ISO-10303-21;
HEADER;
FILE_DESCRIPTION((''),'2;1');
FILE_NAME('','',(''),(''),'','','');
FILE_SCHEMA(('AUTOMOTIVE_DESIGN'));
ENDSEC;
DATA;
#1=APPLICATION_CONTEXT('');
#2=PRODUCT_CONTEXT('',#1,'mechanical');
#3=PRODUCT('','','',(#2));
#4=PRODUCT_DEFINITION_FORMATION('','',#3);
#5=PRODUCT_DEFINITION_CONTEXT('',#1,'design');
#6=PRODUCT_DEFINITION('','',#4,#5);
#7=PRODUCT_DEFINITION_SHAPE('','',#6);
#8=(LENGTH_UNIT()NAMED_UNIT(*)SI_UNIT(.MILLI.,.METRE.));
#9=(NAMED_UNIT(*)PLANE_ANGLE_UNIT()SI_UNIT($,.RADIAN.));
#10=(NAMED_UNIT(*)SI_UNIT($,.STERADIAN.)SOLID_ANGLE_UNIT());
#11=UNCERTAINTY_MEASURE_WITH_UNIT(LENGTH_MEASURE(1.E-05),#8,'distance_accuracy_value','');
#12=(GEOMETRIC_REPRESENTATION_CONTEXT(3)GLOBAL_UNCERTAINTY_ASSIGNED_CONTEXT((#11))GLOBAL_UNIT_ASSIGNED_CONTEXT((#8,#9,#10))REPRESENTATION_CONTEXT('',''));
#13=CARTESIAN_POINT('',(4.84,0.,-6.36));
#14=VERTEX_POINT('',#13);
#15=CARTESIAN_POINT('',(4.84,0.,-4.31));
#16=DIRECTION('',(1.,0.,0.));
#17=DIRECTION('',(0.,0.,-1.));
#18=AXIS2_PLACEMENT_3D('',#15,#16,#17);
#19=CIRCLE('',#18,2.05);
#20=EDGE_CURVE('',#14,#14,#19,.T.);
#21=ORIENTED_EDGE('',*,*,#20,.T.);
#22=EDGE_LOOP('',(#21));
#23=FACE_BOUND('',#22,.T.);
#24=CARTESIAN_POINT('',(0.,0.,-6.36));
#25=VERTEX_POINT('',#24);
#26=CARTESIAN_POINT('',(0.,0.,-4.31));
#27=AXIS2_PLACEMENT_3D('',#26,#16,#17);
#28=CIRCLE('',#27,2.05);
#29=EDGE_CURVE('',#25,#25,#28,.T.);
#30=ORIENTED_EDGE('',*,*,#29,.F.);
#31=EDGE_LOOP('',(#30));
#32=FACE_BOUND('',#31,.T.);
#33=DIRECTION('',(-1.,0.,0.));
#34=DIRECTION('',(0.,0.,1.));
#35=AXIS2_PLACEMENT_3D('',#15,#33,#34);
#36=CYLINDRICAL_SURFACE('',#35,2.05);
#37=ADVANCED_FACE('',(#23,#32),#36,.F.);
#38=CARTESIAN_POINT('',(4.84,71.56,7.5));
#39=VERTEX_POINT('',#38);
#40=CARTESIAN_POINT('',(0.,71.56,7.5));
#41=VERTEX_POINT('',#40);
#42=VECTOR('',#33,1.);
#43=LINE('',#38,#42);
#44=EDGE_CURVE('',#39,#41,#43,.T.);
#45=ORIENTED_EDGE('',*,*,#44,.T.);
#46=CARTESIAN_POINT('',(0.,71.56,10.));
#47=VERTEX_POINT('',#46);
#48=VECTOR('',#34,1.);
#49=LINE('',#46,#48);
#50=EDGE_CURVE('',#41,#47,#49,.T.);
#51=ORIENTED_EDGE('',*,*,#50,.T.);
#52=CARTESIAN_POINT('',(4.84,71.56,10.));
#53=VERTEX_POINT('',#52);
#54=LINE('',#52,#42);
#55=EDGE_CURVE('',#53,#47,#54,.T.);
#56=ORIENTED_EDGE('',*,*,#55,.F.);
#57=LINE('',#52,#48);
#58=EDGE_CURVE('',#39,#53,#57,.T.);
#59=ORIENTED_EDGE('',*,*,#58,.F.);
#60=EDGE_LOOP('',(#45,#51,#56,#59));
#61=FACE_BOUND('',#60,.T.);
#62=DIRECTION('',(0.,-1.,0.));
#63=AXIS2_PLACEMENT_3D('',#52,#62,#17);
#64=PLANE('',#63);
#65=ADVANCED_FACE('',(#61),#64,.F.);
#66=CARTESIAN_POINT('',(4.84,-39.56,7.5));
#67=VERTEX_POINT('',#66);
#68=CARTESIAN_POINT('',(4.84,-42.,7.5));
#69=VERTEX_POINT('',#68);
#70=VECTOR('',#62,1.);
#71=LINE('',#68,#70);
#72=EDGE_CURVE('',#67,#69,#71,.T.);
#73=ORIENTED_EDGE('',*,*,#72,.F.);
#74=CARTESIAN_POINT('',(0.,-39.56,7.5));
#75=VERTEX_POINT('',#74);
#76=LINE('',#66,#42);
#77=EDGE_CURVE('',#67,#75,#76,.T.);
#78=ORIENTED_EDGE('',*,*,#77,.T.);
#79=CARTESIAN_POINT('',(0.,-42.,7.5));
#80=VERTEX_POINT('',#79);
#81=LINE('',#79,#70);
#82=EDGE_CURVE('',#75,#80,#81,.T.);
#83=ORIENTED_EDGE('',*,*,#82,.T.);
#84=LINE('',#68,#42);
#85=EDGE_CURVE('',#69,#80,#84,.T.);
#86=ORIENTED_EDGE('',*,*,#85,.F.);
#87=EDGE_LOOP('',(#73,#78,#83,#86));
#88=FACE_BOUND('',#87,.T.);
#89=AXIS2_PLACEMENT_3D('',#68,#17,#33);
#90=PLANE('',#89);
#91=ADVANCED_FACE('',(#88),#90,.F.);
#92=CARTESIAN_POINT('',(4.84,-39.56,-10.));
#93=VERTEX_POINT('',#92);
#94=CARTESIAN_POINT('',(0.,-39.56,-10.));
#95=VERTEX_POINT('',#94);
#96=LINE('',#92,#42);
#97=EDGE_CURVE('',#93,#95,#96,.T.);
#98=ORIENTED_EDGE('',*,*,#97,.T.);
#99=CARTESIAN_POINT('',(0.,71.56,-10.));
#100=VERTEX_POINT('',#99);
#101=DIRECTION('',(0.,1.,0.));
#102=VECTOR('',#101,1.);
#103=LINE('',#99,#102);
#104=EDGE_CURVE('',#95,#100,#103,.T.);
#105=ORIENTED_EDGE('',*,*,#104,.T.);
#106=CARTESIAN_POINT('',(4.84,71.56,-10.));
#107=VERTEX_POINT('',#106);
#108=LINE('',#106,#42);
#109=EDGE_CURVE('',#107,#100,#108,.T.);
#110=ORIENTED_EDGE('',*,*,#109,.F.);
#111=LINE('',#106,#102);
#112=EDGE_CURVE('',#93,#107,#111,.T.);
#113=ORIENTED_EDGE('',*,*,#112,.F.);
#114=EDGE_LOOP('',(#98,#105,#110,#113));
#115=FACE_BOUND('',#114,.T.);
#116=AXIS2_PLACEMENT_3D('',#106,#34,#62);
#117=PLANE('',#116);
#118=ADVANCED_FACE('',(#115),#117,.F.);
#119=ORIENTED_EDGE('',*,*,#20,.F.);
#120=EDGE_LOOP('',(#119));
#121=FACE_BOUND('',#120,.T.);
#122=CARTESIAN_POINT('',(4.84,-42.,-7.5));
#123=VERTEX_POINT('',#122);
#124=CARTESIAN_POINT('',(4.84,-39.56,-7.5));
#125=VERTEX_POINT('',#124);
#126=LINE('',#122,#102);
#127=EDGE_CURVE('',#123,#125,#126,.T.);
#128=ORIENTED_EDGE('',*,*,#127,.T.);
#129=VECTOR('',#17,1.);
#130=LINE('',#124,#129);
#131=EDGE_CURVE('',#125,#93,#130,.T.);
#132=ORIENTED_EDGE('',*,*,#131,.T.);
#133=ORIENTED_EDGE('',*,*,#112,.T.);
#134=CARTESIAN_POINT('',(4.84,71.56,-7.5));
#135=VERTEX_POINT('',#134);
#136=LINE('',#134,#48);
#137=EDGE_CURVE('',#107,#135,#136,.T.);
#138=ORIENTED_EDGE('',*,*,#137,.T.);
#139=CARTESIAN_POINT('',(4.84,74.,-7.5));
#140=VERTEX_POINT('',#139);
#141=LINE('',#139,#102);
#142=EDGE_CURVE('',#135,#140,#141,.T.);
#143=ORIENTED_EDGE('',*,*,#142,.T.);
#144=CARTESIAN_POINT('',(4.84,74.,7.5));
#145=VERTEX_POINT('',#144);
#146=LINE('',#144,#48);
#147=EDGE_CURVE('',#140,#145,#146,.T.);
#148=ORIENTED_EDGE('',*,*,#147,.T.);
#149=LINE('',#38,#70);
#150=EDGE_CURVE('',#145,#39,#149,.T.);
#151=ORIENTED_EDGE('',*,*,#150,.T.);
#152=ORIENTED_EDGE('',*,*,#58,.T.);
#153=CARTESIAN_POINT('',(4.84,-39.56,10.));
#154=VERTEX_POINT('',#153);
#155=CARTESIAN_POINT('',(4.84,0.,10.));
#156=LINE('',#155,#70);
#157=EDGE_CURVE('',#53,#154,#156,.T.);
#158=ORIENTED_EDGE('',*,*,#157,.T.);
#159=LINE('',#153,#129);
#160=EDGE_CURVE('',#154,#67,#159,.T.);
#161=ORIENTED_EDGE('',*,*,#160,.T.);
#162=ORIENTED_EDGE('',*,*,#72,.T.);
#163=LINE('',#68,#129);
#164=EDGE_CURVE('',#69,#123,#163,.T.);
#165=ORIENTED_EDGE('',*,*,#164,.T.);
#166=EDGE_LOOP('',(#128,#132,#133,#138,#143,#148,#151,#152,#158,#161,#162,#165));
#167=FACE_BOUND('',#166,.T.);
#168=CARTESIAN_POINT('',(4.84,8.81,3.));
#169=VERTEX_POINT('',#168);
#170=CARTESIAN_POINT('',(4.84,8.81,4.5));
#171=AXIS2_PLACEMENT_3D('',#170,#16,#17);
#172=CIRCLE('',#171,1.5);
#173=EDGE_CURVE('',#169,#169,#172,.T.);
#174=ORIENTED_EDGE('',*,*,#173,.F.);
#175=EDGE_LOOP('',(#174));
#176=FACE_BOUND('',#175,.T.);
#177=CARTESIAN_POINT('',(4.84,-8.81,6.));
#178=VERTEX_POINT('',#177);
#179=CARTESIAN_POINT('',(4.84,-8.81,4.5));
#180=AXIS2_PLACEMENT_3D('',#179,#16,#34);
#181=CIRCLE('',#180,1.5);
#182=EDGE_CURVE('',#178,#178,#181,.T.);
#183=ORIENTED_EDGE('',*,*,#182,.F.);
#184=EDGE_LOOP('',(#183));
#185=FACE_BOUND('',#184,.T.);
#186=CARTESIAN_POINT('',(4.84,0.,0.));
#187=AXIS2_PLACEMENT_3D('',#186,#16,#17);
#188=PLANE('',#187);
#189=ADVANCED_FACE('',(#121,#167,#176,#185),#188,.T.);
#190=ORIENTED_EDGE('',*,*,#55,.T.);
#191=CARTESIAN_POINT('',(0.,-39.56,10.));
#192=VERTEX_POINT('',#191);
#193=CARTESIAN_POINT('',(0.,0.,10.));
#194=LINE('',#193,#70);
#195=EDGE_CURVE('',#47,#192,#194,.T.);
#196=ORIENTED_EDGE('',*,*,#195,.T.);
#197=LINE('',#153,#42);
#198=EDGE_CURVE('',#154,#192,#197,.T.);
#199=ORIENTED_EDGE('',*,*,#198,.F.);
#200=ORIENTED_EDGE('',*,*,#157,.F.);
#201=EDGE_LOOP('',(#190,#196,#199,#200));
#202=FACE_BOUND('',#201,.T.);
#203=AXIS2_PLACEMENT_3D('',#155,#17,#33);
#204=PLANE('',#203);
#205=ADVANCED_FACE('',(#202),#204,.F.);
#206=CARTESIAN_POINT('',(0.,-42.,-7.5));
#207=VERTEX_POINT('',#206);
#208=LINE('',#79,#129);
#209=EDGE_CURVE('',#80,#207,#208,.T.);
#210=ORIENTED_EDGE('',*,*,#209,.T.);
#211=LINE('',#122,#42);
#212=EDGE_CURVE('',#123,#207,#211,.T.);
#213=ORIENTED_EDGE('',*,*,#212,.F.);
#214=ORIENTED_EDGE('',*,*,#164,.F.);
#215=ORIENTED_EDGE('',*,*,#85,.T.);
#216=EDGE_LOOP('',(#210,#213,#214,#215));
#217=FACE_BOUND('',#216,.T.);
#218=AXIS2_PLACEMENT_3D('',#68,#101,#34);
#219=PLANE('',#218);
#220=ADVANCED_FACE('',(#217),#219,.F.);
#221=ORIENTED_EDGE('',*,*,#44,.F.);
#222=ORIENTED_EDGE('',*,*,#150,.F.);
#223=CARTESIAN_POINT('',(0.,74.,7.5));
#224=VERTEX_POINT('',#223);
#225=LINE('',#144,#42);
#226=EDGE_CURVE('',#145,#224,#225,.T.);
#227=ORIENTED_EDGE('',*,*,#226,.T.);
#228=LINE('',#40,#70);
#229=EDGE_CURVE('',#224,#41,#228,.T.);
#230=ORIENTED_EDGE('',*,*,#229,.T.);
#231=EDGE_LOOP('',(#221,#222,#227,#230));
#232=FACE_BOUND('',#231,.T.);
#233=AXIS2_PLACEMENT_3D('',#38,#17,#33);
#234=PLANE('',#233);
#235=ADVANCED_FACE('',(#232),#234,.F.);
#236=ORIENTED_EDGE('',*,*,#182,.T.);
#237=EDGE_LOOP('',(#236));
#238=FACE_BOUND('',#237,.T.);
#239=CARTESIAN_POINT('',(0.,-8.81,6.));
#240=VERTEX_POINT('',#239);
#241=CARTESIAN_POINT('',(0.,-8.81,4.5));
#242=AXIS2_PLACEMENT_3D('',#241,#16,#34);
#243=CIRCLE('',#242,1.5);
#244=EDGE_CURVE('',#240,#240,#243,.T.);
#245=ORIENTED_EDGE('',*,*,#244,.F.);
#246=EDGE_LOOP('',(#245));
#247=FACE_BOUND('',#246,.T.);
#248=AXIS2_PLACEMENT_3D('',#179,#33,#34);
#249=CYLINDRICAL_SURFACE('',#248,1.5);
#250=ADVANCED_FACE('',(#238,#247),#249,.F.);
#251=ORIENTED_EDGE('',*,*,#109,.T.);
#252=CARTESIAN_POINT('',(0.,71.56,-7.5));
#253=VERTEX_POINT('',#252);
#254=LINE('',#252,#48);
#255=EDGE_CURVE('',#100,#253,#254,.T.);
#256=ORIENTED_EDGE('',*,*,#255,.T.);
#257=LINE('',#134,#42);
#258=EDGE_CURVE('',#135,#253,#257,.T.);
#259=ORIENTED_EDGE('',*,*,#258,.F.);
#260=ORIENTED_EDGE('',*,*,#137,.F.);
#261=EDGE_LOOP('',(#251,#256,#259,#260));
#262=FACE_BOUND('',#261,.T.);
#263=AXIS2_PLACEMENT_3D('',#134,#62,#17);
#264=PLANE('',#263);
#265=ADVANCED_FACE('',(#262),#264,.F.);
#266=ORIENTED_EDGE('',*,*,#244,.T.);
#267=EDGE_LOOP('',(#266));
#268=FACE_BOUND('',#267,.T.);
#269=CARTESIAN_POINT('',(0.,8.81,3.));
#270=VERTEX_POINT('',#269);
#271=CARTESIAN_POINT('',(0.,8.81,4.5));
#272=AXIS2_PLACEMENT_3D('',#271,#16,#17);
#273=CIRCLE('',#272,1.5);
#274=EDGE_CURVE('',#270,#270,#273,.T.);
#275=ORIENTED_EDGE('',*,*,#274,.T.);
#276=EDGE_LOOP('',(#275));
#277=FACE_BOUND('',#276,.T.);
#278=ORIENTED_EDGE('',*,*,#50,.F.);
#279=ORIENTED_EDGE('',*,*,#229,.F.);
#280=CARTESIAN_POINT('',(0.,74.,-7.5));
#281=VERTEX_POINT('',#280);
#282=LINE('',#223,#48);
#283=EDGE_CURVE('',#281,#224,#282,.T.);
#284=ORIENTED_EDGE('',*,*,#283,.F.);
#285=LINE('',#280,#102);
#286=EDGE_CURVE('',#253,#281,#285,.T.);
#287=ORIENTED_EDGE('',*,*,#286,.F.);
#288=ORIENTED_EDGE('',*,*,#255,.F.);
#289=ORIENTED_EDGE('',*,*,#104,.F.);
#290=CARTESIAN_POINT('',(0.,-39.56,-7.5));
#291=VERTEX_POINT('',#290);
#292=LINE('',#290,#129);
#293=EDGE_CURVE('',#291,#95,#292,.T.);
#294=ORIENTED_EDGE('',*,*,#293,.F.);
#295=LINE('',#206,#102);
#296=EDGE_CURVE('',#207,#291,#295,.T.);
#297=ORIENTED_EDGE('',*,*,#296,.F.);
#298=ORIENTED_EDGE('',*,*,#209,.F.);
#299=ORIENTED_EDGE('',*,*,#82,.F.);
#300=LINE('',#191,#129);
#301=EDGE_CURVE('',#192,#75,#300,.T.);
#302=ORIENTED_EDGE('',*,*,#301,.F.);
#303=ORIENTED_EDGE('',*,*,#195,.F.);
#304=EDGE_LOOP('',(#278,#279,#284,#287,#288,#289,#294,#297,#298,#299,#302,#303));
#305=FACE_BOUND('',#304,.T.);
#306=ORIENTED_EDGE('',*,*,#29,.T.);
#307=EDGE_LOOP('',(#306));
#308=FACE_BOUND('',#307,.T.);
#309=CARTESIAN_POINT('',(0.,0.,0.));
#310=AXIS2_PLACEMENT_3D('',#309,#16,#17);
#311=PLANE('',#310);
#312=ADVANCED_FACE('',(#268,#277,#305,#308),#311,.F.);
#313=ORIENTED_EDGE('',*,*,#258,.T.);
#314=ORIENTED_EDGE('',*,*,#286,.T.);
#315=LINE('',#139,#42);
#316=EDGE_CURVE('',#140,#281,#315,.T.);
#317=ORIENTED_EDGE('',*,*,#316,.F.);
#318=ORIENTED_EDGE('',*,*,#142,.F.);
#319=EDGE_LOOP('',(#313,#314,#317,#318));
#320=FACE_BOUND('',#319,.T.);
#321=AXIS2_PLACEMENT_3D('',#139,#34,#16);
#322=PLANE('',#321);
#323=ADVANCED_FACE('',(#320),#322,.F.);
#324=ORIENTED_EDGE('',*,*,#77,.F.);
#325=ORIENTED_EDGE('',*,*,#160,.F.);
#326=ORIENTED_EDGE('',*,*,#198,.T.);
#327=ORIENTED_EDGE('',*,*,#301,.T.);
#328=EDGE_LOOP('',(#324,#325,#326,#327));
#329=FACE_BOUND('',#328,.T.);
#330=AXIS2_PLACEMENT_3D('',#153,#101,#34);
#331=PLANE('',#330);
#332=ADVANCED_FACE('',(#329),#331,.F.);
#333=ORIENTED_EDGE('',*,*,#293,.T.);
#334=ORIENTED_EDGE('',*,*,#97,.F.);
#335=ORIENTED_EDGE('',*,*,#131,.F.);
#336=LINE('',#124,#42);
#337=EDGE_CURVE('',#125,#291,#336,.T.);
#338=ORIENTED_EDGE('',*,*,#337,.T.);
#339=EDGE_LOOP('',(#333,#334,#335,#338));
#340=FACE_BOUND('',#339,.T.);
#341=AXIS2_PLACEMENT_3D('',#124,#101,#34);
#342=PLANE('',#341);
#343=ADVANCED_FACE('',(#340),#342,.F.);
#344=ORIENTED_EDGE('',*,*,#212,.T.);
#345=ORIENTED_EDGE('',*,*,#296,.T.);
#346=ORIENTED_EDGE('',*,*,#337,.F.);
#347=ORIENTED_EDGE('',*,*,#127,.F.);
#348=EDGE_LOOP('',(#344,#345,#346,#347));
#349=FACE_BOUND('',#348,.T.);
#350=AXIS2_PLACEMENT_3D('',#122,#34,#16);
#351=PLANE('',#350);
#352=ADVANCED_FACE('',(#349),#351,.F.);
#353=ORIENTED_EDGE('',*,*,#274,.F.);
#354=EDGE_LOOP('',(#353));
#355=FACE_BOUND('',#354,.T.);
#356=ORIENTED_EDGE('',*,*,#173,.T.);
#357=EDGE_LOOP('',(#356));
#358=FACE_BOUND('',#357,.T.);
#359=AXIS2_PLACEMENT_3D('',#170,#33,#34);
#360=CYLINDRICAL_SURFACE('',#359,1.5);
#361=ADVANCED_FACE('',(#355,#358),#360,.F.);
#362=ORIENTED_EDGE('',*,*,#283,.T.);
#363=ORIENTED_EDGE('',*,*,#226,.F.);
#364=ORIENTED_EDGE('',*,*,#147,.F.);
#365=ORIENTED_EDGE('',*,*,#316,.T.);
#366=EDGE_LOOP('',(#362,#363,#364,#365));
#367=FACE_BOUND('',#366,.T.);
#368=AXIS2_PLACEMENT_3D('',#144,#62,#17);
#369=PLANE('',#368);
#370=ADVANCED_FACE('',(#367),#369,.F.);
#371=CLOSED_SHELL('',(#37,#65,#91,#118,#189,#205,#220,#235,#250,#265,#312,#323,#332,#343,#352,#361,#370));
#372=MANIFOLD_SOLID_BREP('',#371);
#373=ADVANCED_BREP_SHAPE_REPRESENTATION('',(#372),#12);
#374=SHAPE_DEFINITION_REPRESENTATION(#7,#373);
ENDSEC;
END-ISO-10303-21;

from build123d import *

# Parameters (mm, degrees)
CROQUIS1_R              = 2.05
CROQUIS1_R_2            = 1.5
SALIENTE_EXTRUIR1_DEPTH = 4.84


with BuildPart() as part:
    # Croquis1 → Saliente-Extruir1 (new body)
    with BuildSketch(Plane(origin=(0, 0, 0), x_dir=(0, 0, -1), z_dir=(1, 0, 0))):
        Polygon((-10, 0), (-10, 71.56), (-7.5, 71.56), (-7.5, 74), (7.5, 74), (7.5, 71.56), (10, 71.56), (10, -39.56), (7.5, -39.56), (7.5, -42), (-7.5, -42), (-7.5, -39.56), (-10, -39.56), align=None)
        with Locations((4.31, 0)):
            Circle(CROQUIS1_R, mode=Mode.SUBTRACT)
        with Locations((-4.5, 8.81)):
            Circle(CROQUIS1_R_2, mode=Mode.SUBTRACT)
        with Locations((-4.5, -8.81)):
            Circle(CROQUIS1_R_2, mode=Mode.SUBTRACT)
    extrude(amount=SALIENTE_EXTRUIR1_DEPTH)


solid = part.part
